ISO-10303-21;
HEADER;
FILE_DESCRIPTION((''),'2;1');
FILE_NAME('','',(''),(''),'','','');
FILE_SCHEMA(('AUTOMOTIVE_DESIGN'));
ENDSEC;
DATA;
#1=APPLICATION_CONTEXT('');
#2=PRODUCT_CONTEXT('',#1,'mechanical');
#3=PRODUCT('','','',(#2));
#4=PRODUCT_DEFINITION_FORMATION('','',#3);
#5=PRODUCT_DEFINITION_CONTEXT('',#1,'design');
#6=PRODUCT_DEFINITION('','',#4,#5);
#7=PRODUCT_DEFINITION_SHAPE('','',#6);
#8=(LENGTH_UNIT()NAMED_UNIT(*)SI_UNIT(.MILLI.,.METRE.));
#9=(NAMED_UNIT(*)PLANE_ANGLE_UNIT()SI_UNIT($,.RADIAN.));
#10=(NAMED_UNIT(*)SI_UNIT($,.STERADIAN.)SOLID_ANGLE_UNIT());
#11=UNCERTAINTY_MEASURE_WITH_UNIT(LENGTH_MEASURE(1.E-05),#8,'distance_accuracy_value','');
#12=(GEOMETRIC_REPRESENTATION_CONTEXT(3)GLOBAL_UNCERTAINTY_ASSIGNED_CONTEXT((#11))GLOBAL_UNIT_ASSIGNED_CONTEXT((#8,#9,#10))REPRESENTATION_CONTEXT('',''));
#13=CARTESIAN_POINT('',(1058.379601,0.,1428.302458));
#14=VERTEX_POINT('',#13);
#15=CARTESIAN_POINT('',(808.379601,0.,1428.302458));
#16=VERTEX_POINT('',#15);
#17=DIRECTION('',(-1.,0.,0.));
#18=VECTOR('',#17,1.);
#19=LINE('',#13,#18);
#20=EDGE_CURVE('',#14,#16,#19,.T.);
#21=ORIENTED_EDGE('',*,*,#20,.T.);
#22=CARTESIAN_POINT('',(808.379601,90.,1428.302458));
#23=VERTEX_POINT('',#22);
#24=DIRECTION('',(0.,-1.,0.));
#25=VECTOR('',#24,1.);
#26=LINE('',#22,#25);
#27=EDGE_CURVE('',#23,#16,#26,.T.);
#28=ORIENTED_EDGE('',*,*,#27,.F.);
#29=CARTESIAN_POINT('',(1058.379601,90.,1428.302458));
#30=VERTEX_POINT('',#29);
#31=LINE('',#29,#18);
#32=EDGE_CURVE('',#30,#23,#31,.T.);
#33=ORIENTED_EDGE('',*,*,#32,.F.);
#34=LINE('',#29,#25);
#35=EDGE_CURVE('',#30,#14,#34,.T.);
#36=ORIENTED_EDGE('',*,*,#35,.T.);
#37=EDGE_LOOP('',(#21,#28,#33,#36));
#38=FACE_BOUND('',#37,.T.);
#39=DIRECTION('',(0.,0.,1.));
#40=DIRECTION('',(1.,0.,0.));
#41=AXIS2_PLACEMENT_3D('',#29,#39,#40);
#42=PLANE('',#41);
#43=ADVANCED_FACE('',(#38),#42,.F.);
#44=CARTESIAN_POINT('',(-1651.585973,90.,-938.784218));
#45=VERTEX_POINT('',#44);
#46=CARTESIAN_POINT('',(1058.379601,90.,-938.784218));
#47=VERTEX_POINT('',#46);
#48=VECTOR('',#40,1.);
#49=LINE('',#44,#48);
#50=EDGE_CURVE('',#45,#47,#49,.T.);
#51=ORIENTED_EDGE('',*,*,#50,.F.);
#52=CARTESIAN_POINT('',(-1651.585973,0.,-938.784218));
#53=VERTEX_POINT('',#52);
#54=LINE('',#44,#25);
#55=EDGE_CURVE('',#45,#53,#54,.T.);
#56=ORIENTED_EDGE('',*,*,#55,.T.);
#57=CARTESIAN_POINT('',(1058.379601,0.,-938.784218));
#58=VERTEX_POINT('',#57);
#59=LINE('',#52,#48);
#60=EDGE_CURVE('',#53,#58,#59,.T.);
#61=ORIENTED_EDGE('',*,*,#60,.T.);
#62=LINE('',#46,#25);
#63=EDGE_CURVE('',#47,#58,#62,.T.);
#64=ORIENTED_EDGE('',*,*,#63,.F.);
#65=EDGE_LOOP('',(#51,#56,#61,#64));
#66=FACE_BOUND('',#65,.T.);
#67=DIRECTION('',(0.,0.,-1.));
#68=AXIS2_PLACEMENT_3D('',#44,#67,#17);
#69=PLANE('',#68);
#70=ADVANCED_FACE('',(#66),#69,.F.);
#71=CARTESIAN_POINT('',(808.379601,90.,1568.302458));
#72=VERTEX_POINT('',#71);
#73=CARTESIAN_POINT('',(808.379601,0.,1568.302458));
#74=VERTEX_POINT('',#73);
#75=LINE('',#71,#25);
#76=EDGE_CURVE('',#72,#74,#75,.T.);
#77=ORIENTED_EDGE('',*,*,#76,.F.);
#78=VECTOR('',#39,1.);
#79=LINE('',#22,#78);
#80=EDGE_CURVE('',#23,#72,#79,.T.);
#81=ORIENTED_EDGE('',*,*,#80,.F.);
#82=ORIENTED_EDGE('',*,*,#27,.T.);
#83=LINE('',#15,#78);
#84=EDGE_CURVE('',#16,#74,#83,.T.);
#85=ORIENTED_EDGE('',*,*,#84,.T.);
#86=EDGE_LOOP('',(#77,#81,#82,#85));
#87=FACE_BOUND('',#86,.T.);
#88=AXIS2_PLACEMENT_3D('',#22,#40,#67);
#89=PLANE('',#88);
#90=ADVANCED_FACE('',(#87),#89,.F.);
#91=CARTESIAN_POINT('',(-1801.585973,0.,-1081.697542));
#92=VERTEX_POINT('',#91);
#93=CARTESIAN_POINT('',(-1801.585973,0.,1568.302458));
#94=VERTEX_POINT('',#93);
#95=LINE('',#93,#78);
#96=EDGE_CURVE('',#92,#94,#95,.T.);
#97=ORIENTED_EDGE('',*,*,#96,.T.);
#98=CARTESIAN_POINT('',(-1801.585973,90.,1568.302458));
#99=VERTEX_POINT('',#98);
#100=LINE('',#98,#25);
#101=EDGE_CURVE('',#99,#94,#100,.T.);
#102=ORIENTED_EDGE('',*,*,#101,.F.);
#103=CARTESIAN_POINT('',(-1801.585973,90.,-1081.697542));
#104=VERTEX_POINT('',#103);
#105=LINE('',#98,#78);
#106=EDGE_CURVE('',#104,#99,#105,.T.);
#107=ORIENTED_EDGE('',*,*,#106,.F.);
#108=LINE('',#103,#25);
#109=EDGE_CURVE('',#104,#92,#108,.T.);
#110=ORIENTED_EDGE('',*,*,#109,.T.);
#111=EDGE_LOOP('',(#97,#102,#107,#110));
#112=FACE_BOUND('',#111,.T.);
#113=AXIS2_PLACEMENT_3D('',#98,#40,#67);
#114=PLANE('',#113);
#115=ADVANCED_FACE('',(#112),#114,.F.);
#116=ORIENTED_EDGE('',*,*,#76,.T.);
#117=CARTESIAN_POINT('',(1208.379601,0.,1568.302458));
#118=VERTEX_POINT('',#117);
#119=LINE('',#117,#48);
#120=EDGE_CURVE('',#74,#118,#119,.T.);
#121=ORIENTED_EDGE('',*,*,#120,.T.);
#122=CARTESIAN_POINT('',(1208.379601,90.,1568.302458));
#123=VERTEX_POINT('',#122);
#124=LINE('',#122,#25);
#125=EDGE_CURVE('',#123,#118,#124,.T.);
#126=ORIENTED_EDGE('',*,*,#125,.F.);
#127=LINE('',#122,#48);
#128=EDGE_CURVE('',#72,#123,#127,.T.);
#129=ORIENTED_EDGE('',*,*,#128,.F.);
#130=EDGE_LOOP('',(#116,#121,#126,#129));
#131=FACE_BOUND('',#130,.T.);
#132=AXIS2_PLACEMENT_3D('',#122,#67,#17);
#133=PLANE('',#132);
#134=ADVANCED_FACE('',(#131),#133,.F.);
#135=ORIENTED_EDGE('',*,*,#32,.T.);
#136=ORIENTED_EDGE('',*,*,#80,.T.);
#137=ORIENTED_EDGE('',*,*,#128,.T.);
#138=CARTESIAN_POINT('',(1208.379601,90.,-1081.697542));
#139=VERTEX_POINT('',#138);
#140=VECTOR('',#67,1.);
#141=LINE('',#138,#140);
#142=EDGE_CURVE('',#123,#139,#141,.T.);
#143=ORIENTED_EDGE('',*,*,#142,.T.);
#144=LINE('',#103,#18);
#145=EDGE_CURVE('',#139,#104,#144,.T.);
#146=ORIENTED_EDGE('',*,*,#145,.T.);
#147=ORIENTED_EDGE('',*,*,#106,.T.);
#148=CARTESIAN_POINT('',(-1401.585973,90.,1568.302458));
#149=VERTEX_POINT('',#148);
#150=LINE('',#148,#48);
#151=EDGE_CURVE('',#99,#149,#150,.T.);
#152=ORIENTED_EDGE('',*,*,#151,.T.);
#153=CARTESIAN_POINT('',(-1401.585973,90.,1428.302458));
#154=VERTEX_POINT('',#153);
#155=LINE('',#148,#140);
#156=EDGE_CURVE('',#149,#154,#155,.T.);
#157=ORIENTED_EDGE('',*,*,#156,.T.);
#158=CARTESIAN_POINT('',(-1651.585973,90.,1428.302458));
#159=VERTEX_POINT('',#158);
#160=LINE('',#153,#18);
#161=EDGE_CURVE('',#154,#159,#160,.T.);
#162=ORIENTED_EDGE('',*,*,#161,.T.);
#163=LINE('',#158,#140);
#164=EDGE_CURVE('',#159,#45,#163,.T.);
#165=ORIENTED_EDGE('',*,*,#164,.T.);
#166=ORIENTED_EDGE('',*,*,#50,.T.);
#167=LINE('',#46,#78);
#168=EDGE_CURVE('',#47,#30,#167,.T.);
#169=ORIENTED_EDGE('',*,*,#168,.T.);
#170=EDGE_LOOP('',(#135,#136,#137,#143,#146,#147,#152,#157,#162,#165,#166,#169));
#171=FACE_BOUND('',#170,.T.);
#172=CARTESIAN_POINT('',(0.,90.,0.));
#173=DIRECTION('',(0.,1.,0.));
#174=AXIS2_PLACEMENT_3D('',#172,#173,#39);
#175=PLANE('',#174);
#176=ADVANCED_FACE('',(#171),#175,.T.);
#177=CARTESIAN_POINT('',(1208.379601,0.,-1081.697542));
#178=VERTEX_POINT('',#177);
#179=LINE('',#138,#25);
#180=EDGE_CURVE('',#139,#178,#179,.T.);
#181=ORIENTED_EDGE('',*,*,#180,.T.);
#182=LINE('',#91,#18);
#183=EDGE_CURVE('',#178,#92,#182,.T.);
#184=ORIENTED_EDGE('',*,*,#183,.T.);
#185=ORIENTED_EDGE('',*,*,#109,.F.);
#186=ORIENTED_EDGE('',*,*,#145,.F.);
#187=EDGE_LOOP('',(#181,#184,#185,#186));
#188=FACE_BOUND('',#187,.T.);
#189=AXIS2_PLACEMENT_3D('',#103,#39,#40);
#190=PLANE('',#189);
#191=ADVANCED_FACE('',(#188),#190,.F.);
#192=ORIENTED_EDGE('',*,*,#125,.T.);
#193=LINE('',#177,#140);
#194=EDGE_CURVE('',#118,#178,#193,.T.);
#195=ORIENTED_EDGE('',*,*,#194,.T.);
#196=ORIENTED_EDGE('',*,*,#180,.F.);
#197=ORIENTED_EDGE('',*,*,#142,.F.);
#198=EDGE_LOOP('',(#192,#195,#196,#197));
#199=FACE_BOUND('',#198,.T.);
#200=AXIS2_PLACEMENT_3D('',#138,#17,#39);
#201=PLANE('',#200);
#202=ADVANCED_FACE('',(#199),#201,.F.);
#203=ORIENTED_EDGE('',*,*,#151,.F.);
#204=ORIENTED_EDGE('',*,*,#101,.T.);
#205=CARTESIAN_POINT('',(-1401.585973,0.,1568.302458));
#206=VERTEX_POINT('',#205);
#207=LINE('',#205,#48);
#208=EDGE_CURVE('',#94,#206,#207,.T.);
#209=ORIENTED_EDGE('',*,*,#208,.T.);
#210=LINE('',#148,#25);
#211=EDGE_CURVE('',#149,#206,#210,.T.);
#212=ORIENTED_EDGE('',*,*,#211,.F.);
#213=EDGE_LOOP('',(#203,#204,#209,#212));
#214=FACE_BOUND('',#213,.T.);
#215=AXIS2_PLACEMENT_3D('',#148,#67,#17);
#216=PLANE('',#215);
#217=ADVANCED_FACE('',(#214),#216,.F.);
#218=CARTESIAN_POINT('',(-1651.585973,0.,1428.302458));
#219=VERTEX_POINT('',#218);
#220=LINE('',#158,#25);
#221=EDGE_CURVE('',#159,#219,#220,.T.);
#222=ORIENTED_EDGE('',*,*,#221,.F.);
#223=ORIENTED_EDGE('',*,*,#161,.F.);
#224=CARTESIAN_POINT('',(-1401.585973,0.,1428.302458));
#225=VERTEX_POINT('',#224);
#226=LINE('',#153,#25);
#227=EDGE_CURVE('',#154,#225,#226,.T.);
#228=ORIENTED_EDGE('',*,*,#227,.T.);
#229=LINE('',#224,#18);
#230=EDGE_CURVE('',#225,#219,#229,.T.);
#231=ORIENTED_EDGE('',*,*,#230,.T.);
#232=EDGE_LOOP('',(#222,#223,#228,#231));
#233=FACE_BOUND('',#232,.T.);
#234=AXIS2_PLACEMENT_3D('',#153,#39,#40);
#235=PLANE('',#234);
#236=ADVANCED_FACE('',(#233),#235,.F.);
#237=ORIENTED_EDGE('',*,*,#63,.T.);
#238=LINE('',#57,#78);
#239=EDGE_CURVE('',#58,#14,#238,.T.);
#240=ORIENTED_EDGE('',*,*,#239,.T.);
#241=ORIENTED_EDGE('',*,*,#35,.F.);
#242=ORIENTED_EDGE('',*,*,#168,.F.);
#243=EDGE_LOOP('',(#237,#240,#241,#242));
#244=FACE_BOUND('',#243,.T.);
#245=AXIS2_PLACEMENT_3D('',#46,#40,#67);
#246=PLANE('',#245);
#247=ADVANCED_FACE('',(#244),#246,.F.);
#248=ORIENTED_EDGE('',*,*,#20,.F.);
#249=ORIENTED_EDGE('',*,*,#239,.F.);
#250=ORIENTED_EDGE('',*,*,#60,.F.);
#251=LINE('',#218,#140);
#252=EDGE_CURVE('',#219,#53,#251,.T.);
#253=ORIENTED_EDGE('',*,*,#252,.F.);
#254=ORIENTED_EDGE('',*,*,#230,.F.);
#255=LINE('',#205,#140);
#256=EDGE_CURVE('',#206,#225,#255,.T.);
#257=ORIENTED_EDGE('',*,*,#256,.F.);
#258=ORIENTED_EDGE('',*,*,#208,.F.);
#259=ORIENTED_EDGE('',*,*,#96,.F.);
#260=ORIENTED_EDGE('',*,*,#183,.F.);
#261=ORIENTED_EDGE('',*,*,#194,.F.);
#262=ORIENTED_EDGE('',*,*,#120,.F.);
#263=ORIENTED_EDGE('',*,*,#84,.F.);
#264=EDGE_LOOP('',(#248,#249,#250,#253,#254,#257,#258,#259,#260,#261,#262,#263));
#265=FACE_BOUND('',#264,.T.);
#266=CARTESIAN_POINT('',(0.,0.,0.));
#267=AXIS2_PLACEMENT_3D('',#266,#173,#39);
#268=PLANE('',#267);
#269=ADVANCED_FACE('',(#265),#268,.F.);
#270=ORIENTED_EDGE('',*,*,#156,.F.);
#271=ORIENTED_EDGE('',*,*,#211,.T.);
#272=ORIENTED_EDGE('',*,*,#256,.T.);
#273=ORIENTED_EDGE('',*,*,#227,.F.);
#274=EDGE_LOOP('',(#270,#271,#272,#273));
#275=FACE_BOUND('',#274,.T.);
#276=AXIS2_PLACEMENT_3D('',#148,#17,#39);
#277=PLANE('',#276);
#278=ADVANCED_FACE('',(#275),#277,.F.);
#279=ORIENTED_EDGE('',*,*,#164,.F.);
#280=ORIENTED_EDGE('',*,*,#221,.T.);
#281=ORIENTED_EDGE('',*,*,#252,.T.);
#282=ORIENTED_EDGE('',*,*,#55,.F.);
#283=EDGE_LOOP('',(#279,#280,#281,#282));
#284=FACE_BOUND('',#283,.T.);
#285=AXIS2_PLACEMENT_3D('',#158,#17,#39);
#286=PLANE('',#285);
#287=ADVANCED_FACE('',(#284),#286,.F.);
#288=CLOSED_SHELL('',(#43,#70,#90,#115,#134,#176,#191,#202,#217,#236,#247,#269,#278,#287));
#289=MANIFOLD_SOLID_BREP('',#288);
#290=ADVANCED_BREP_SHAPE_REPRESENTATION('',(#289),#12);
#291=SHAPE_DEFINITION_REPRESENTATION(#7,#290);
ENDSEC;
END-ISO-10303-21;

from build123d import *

# Parameters (mm, degrees)
EXTRUDE_1_DEPTH = 90


with BuildPart() as part:
    # 草图1 → 凸台-拉伸1 (new body)
    with BuildSketch(Plane(origin=(0, 0, 0), x_dir=(1, 0, 0), z_dir=(0, 1, 0))):
        Polygon((-1401.585973489, -1568.302458312), (-1801.585973489, -1568.302458312), (-1801.585973489, 1081.697541688), (1208.379600836, 1081.697541688), (1208.379600836, -1568.302458312), (808.379600836, -1568.302458312), (808.379600836, -1428.302458312), (1058.379600836, -1428.302458312), (1058.379600836, 938.784218378), (-1651.585973489, 938.784218378), (-1651.585973489, -1428.302458312), (-1401.585973489, -1428.302458312), align=None)
    extrude(amount=EXTRUDE_1_DEPTH)


solid = part.part
